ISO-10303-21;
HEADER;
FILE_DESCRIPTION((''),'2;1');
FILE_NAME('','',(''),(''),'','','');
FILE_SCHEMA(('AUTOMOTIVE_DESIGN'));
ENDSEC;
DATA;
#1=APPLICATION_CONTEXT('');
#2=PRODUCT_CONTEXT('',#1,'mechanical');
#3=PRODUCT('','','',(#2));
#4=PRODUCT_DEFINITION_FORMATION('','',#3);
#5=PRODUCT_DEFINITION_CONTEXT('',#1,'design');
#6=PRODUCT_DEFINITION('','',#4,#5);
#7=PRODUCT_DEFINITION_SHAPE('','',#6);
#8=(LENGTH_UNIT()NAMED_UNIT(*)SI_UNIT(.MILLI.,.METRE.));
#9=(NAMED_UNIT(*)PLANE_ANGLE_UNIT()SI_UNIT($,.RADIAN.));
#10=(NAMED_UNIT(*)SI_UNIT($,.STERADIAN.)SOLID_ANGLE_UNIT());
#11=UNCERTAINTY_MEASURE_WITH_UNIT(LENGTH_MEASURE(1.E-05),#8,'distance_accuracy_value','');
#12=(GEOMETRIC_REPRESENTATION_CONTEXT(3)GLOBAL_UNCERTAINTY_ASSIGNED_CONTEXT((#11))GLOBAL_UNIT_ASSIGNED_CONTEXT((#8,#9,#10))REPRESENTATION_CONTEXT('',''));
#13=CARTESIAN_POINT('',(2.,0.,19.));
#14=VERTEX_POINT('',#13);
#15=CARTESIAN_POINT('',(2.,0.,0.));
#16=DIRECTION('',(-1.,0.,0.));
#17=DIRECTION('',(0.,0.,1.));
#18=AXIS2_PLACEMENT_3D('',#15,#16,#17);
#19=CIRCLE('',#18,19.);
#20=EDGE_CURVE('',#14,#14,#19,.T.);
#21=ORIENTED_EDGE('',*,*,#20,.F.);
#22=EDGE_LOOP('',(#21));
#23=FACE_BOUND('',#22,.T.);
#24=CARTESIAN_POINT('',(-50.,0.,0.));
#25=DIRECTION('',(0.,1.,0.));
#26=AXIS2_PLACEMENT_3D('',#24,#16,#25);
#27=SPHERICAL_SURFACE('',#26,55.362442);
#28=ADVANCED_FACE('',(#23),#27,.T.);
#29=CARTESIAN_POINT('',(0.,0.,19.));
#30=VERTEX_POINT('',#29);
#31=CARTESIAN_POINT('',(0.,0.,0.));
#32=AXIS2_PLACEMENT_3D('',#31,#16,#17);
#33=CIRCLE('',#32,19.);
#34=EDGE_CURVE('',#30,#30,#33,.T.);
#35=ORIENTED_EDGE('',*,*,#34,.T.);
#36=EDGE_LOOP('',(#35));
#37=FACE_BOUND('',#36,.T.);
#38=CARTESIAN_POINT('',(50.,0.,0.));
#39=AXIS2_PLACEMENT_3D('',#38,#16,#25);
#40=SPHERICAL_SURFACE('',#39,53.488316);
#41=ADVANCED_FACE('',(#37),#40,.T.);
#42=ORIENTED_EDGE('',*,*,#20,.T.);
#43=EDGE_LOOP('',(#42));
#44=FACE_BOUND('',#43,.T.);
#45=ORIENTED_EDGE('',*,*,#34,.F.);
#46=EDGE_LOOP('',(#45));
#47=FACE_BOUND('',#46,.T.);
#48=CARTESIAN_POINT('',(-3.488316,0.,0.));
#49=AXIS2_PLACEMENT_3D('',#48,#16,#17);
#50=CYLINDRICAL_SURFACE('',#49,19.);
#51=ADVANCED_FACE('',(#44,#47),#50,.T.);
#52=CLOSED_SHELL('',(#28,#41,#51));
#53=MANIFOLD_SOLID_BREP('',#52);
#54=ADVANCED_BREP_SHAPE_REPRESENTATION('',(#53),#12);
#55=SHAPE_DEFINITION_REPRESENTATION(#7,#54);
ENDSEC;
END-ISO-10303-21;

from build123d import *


with BuildPart() as part:
    # Sketch1 → Revolve1 (revolve)
    with BuildSketch(Plane.XY):
        with BuildLine():
            Line((0, 19), (2, 19))
            ThreePointArc((2, 19), (4.51535101, 9.647616508), (5.362442143, 0))
            Line((5.362442143, 0), (-3.488316481, 0))
            ThreePointArc((-3.488316481, 0), (-2.609009799, 9.658782944), (0, 19))
        make_face()
    revolve(axis=Axis((-3.488316481, 0, 0), (1, 0, 0)))


solid = part.part
